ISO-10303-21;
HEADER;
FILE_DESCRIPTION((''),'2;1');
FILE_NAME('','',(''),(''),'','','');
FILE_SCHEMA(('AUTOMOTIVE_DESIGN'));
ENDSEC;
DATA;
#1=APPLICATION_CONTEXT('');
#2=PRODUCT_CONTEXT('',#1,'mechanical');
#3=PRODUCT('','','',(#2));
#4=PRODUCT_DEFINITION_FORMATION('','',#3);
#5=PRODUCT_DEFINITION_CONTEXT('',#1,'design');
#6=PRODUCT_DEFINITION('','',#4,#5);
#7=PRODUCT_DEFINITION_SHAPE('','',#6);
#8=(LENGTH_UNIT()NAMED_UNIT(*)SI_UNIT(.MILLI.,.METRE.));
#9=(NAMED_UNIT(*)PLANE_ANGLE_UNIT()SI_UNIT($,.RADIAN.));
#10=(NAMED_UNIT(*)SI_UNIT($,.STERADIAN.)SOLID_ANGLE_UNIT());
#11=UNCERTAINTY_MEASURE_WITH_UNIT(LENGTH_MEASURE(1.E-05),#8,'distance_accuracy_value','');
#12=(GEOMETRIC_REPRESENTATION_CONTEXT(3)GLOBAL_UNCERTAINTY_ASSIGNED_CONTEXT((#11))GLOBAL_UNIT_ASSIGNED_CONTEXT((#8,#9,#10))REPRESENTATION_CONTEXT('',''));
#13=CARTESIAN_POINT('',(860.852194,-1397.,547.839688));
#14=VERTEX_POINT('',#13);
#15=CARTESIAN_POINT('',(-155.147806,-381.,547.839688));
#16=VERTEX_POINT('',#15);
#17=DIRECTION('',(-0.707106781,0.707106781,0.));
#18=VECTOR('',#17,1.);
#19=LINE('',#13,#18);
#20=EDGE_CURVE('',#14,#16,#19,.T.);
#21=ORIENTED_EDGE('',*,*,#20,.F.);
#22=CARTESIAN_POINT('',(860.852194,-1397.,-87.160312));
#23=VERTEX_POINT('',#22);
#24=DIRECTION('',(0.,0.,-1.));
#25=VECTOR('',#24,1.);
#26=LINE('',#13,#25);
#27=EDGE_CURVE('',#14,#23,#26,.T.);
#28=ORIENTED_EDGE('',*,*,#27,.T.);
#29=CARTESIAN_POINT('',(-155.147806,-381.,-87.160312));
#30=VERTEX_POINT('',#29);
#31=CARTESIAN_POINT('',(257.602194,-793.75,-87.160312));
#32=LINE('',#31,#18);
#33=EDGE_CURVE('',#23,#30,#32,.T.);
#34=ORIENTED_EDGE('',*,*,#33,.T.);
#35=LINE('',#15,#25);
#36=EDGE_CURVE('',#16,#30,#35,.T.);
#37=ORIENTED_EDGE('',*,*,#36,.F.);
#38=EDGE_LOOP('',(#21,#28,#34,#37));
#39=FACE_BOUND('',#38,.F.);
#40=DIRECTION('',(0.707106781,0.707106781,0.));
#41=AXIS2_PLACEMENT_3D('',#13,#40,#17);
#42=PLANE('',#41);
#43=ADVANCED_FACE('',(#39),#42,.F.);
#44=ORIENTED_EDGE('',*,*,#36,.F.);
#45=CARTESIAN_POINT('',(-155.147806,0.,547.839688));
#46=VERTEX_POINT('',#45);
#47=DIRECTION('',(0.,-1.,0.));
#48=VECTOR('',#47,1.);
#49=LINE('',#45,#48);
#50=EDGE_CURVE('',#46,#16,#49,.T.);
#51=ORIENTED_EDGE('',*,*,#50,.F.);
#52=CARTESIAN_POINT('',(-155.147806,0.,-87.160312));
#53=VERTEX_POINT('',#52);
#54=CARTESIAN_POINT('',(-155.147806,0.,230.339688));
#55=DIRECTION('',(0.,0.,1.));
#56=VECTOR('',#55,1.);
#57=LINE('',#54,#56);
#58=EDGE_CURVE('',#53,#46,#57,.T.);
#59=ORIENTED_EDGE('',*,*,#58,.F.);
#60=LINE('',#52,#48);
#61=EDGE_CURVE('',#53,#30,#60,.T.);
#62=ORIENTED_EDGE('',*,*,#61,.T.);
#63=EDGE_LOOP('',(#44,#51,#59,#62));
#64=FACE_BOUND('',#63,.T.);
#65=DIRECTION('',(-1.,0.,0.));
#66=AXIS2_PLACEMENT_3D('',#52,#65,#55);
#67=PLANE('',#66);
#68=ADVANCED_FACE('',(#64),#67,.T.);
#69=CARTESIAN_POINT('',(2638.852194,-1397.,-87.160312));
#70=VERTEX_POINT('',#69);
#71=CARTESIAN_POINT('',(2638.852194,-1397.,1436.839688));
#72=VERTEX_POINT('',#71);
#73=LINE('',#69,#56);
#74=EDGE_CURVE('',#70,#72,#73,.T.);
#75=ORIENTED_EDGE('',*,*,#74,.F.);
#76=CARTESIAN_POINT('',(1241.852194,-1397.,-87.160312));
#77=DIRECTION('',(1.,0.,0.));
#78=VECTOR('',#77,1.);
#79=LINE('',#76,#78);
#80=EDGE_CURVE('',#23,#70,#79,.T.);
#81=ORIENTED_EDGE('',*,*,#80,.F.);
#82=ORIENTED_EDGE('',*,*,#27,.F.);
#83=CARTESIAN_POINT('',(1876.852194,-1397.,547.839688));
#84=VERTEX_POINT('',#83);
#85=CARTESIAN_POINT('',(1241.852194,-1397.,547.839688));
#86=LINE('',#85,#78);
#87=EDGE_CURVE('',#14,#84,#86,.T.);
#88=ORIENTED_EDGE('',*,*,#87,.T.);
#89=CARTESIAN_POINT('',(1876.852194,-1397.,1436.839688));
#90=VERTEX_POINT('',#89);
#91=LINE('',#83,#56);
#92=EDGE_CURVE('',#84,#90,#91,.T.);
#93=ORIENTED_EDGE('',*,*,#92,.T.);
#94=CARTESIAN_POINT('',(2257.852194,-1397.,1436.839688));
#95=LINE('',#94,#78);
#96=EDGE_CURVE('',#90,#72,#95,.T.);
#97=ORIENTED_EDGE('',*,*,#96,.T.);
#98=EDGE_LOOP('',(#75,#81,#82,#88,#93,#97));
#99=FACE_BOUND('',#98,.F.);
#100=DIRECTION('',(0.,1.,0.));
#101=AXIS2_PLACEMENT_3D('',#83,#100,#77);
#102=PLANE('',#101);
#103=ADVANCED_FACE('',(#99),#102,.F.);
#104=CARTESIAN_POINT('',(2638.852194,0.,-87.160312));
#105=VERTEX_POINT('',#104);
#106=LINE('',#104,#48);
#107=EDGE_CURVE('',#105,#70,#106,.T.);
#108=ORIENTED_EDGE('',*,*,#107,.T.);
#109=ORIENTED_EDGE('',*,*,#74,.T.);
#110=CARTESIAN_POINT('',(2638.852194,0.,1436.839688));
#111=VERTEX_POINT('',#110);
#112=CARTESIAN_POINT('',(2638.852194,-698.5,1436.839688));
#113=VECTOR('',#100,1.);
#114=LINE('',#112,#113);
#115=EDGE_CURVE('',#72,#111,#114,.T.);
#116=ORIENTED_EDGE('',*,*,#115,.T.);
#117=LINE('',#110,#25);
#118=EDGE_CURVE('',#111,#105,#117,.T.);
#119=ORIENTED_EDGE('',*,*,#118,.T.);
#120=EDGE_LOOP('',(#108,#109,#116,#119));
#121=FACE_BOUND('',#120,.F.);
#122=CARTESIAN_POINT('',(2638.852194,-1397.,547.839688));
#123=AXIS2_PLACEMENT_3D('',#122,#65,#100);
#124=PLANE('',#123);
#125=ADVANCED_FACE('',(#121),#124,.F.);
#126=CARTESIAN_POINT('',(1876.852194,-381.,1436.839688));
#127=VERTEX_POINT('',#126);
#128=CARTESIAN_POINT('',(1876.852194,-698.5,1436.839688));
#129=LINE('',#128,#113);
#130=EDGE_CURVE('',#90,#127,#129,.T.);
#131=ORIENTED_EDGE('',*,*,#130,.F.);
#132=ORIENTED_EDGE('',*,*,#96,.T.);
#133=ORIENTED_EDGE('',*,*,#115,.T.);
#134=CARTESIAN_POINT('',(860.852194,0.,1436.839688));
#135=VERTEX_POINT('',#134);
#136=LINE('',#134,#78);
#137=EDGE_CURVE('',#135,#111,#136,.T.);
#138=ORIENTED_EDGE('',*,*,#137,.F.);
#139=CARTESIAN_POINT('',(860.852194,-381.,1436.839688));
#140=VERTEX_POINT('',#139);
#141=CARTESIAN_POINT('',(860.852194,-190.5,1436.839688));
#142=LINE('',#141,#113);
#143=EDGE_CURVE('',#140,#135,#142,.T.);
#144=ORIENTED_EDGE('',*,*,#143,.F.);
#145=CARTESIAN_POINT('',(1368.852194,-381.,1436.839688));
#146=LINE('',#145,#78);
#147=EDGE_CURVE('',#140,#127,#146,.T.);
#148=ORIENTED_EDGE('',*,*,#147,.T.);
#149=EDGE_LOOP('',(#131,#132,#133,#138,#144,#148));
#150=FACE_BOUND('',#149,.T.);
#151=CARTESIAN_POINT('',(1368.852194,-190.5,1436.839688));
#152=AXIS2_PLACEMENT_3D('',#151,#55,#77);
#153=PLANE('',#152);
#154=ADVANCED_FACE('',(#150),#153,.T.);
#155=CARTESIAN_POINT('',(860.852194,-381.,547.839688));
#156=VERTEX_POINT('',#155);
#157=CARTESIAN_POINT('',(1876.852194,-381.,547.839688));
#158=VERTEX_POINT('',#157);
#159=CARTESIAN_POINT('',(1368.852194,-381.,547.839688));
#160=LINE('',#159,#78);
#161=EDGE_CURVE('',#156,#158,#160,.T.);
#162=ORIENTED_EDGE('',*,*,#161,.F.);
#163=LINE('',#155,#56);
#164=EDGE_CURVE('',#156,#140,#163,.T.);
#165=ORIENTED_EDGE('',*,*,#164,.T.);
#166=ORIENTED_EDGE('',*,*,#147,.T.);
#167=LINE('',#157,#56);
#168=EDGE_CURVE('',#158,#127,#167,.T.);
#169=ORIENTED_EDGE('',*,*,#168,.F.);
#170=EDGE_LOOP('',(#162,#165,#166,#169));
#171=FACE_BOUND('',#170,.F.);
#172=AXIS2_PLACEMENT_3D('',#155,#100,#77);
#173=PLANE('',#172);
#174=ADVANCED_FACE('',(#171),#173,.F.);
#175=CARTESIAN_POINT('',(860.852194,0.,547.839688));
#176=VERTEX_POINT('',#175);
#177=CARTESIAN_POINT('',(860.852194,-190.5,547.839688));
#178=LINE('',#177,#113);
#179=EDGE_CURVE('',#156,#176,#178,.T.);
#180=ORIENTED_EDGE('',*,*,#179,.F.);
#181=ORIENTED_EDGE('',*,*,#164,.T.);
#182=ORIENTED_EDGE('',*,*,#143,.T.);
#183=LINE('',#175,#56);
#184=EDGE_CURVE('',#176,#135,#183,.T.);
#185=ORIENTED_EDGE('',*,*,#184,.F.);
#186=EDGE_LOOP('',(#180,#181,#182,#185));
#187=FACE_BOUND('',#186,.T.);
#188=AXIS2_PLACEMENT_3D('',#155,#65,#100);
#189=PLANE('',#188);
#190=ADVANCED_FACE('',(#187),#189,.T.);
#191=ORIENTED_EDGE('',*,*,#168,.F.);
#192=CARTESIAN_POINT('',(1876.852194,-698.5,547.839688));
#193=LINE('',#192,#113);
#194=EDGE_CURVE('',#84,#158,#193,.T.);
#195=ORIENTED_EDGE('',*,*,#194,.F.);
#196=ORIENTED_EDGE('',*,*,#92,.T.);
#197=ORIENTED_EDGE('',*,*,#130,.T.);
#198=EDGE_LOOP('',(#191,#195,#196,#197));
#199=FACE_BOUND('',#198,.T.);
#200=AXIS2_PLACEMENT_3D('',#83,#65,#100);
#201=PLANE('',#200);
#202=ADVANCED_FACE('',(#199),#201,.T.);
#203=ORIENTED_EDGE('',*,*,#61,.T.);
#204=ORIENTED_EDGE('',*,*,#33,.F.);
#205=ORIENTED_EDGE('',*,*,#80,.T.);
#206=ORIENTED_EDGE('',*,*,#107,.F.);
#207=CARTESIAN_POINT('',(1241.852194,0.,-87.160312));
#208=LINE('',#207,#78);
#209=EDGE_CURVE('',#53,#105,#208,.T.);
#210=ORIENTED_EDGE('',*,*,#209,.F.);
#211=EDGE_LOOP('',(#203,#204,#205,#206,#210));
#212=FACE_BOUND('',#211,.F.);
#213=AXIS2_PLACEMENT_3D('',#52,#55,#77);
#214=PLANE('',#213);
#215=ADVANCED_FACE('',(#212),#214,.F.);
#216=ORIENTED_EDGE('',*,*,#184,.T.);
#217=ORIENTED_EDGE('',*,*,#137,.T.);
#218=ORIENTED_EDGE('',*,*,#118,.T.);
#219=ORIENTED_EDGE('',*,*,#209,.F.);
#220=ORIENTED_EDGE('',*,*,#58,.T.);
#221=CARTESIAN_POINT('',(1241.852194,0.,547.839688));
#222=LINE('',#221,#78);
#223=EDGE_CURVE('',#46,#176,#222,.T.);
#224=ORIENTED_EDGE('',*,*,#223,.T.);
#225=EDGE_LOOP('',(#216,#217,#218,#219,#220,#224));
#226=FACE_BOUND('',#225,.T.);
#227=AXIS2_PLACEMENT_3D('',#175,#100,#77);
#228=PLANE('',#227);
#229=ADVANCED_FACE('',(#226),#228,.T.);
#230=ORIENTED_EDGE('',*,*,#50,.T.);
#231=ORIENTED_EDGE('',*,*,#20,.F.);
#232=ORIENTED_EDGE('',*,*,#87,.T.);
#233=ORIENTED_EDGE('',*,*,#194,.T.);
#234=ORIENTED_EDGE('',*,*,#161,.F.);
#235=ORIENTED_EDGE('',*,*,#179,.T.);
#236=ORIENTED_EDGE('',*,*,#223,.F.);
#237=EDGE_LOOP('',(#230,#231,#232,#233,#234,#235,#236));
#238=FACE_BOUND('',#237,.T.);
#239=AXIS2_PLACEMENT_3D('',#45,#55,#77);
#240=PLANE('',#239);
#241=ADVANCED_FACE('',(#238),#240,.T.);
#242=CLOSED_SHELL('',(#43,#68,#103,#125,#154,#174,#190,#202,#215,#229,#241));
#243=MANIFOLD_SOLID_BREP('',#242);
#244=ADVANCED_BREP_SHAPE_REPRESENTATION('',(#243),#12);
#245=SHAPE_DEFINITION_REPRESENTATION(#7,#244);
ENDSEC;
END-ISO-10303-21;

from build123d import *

# Parameters (mm, degrees)
F0_W     = 2794
F0_H     = 635
F1_DEPTH = 1397
F2_W     = 762
F2_H     = 1397
F3_DEPTH = 889
F4_W     = 1016
F4_H     = 381
F5_DEPTH = 889
F7_DEPTH = 2194.56


with BuildPart() as f1:
    # F0 (on Front) → F1 (new body)
    with BuildSketch(Plane.XZ):
        with Locations((1241.852194, 230.339688)):
            Rectangle(F0_W, F0_H)
    extrude(amount=F1_DEPTH)

    # F2 (on face) → F3 (join)
    with BuildSketch(Plane.XY.offset(547.839688)):
        with Locations((2257.852194, -698.5)):
            Rectangle(F2_W, F2_H)
    extrude(amount=F3_DEPTH)

    # F4 (on face) → F5 (join)
    with BuildSketch(Plane.XY.offset(547.839688)):
        with Locations((1368.852194, -190.5)):
            Rectangle(F4_W, F4_H)
    extrude(amount=F5_DEPTH)

    # F6 (on face) → F7 (cut)
    with BuildSketch(Plane.XY.offset(547.839688)):
        Polygon((-155.147806, -1397), (860.852194, -1397), (-155.147806, -381), align=None)
    extrude(amount=-F7_DEPTH, mode=Mode.SUBTRACT)


solid = f1.part
